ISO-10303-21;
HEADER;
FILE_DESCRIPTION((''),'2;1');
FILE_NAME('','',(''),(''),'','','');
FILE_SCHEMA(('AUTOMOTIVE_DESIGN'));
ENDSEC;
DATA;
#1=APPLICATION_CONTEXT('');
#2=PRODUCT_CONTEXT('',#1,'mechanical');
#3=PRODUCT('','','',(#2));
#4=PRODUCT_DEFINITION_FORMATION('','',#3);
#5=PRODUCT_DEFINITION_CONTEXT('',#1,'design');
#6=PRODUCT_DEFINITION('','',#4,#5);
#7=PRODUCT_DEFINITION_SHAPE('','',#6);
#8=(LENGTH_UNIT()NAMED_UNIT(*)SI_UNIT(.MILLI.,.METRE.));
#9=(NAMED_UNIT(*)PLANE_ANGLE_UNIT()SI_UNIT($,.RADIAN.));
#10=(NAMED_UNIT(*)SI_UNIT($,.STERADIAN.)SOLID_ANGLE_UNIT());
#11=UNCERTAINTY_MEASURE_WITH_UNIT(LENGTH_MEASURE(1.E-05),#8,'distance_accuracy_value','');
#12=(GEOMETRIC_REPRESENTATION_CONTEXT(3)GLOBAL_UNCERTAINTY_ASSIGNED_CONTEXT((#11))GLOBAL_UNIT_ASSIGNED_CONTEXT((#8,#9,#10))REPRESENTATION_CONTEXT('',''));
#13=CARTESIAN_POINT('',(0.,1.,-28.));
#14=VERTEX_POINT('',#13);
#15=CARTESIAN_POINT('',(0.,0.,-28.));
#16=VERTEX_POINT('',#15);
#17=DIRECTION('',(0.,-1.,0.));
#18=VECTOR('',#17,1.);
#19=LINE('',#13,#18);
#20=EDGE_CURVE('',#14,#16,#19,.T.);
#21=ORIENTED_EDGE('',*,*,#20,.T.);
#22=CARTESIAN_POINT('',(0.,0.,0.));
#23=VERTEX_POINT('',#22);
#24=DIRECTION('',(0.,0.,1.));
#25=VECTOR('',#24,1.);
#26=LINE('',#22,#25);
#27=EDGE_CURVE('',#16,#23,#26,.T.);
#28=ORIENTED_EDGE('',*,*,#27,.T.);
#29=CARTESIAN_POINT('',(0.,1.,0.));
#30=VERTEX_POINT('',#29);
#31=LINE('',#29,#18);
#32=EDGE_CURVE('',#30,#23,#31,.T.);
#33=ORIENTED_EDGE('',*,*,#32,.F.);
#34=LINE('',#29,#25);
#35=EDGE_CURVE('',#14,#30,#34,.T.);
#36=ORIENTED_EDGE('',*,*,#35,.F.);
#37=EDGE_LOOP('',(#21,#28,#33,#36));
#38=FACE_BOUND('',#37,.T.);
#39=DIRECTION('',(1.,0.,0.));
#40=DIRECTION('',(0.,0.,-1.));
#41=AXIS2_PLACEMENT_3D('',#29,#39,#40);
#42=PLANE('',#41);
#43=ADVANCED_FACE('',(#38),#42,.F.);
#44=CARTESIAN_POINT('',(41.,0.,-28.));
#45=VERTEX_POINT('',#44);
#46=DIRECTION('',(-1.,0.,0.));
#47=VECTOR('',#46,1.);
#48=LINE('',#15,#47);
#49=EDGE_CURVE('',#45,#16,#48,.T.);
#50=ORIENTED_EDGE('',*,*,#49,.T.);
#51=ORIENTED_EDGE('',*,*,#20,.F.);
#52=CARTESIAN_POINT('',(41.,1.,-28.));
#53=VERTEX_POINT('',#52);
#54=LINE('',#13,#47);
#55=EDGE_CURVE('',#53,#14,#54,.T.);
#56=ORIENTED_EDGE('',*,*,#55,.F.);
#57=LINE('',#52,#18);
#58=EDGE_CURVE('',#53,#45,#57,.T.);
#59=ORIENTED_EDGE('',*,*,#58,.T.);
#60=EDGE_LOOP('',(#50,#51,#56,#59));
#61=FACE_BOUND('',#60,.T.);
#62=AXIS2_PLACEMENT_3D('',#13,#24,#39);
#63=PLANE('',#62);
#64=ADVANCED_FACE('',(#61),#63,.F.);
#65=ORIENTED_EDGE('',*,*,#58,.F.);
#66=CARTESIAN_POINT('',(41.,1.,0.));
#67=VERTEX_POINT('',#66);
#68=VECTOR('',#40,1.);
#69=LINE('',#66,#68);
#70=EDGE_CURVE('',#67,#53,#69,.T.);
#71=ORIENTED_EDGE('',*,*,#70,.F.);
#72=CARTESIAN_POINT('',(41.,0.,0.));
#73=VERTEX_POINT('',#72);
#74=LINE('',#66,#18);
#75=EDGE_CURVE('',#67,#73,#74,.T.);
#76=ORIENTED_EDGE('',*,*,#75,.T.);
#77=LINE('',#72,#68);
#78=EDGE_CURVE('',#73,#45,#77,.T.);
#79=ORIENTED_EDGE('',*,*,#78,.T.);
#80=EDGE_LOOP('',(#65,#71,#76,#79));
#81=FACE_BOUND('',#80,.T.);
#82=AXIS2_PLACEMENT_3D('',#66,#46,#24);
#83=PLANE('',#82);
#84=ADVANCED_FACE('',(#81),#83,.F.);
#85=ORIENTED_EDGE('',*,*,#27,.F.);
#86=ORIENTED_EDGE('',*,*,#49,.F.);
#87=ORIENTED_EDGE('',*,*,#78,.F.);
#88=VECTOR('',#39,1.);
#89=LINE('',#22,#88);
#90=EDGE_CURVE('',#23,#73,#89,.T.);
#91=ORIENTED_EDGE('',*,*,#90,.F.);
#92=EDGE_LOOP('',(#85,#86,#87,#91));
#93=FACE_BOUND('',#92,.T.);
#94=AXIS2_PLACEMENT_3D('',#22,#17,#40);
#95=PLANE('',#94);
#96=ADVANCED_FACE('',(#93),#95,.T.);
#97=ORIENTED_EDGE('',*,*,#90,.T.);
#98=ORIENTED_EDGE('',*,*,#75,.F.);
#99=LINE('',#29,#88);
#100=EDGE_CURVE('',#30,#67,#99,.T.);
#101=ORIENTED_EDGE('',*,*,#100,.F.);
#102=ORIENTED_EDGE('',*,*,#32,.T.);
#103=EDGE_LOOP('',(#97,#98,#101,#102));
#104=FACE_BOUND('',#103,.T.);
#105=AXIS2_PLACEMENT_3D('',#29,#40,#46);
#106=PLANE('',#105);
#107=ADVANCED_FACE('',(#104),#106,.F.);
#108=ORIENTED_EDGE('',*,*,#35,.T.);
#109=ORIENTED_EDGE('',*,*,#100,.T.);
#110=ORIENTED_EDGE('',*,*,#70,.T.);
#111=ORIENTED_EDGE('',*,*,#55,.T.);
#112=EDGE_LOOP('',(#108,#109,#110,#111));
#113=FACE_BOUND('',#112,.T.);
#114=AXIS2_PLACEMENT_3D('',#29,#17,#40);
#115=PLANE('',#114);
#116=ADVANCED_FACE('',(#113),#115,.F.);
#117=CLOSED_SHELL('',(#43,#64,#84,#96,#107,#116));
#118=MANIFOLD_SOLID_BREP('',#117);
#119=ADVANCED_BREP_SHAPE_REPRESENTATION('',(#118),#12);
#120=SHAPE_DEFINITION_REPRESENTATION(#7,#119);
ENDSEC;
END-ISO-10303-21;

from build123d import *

# Parameters (mm, degrees)
SKETCH_1_W      = 41
SKETCH_1_H      = 28
EXTRUDE_1_DEPTH = 1


with BuildPart() as part:
    # Эскиз1 → Бобышка-Вытянуть1 (new body)
    with BuildSketch(Plane(origin=(0, 0, 0), x_dir=(1, 0, 0), z_dir=(0, 1, 0))):
        with Locations((20.5, 14)):
            Rectangle(SKETCH_1_W, SKETCH_1_H)
    extrude(amount=EXTRUDE_1_DEPTH)


solid = part.part
